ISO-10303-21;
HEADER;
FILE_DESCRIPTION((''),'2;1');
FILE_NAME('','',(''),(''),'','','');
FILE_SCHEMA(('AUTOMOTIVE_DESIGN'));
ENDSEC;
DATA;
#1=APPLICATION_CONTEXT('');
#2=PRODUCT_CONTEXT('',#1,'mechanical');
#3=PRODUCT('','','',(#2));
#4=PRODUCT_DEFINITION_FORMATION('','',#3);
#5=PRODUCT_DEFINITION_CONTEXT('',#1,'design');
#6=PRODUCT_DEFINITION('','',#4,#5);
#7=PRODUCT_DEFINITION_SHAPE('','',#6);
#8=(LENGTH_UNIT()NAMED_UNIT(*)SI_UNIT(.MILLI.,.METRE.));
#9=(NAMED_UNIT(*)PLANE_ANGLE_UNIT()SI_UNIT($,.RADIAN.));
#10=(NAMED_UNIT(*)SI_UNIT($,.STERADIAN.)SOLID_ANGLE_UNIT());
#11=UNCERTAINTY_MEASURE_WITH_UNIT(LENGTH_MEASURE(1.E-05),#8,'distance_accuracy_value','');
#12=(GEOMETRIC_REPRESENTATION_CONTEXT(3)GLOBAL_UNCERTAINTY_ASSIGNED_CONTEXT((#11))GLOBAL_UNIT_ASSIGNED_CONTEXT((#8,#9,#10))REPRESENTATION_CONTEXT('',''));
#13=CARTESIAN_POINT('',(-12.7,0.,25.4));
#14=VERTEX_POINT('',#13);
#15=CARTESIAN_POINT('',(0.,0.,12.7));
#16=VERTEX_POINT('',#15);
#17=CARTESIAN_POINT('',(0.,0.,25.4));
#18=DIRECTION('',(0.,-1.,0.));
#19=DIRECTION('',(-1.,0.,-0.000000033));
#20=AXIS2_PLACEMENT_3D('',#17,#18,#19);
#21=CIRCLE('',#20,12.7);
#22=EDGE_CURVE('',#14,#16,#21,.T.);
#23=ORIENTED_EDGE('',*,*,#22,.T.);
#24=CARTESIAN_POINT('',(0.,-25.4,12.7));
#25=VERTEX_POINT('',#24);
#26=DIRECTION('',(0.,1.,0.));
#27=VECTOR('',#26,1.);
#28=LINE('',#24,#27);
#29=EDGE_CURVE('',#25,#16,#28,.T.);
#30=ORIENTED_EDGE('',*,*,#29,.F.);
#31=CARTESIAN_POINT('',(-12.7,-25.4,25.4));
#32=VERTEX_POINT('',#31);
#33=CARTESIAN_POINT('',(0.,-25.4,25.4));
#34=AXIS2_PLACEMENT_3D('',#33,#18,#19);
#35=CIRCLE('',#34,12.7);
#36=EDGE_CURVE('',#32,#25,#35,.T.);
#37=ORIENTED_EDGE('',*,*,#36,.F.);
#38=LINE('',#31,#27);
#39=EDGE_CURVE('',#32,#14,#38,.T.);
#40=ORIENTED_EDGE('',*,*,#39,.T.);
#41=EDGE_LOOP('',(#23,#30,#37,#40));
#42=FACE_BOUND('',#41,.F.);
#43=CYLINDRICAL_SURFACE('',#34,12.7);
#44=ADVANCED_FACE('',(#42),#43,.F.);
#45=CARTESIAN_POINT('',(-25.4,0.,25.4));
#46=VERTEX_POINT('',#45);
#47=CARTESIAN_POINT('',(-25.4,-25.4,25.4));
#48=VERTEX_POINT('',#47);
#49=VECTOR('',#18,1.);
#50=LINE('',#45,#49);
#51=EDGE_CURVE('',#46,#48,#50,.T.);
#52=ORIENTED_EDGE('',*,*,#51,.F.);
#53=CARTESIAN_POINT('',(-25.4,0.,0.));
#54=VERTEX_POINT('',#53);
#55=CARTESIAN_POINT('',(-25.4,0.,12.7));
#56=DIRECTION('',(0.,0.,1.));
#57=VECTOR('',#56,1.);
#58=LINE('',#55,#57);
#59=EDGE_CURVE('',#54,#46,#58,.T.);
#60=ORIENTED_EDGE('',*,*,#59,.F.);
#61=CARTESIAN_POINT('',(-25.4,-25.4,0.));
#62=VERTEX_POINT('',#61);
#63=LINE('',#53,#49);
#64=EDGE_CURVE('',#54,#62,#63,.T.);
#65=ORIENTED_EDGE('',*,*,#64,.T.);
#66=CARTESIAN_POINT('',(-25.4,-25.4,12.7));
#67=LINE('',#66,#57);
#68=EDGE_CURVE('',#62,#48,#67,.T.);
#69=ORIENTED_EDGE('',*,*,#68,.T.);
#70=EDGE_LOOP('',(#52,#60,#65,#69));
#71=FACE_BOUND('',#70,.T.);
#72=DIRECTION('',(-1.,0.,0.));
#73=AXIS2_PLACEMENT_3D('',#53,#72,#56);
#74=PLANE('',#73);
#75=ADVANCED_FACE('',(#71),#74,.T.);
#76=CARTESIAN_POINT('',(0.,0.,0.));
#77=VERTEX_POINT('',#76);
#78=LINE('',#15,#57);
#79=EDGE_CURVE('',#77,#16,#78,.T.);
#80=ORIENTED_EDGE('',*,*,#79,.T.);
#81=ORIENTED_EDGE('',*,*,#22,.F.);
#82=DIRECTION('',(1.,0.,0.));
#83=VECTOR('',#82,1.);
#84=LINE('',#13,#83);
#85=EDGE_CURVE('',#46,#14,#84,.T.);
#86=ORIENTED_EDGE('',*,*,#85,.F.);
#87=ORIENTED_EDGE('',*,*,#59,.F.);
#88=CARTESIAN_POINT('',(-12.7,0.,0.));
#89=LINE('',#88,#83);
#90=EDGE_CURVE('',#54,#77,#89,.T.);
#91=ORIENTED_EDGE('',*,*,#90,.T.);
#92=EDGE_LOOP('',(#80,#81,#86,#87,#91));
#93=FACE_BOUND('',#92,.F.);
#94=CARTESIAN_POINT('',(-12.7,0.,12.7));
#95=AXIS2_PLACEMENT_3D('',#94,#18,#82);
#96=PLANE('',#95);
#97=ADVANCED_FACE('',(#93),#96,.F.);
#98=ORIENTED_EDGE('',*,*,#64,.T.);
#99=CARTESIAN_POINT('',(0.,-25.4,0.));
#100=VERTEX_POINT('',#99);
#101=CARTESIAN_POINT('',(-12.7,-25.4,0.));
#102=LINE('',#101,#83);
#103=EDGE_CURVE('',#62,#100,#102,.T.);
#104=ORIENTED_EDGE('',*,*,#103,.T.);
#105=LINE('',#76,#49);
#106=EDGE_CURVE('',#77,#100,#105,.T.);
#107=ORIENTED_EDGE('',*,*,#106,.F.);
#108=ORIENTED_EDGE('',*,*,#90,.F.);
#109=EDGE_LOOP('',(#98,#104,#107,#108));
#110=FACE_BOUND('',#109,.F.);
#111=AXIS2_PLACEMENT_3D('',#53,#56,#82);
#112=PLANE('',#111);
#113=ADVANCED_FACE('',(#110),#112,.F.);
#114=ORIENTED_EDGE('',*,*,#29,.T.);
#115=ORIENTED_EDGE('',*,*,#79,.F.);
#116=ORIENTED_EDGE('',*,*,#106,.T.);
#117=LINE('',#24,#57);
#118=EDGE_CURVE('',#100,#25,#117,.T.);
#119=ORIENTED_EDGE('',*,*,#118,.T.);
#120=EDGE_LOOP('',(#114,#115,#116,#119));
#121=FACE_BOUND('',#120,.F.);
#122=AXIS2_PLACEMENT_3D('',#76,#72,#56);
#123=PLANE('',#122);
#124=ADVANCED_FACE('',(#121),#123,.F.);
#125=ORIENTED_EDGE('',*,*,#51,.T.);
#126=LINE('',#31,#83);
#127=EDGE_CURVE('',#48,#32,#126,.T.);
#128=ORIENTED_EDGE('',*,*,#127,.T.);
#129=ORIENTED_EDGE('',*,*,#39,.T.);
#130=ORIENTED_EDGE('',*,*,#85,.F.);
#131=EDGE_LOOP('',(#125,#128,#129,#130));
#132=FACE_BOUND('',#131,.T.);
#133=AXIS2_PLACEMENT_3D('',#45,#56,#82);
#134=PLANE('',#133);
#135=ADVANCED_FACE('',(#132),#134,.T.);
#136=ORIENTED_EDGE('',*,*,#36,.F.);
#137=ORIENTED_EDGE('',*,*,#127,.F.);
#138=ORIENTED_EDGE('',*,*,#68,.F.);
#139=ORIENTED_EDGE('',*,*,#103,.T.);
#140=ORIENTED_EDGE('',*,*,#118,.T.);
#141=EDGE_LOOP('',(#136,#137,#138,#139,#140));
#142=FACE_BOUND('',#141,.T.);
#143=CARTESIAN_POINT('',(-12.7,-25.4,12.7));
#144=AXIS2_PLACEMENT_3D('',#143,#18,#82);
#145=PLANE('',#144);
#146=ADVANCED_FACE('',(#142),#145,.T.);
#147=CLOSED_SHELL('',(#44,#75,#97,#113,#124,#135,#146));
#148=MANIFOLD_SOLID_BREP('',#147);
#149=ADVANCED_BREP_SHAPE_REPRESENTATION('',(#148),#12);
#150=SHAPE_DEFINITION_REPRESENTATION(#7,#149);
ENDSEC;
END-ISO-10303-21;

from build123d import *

# Parameters (mm, degrees)
F0_W     = 25.4
F0_H     = 25.4
F1_DEPTH = 25.4
F3_DEPTH = 25.4


with BuildPart() as f1:
    # F0 (on Front) → F1 (new body)
    with BuildSketch(Plane.XZ):
        with Locations((-12.7, 12.7)):
            Rectangle(F0_W, F0_H)
    extrude(amount=F1_DEPTH)

    # F2 (on face) → F3 (cut)
    with BuildSketch(Plane.XZ.offset(25.4)):
        with BuildLine():
            Line((0, 25.4), (-12.7, 25.4))
            ThreePointArc((-12.7, 25.4), (-8.980256, 16.419744), (0, 12.7))
            Line((0, 12.7), (0, 25.4))
        make_face()
    extrude(amount=-F3_DEPTH, mode=Mode.SUBTRACT)


solid = f1.part
